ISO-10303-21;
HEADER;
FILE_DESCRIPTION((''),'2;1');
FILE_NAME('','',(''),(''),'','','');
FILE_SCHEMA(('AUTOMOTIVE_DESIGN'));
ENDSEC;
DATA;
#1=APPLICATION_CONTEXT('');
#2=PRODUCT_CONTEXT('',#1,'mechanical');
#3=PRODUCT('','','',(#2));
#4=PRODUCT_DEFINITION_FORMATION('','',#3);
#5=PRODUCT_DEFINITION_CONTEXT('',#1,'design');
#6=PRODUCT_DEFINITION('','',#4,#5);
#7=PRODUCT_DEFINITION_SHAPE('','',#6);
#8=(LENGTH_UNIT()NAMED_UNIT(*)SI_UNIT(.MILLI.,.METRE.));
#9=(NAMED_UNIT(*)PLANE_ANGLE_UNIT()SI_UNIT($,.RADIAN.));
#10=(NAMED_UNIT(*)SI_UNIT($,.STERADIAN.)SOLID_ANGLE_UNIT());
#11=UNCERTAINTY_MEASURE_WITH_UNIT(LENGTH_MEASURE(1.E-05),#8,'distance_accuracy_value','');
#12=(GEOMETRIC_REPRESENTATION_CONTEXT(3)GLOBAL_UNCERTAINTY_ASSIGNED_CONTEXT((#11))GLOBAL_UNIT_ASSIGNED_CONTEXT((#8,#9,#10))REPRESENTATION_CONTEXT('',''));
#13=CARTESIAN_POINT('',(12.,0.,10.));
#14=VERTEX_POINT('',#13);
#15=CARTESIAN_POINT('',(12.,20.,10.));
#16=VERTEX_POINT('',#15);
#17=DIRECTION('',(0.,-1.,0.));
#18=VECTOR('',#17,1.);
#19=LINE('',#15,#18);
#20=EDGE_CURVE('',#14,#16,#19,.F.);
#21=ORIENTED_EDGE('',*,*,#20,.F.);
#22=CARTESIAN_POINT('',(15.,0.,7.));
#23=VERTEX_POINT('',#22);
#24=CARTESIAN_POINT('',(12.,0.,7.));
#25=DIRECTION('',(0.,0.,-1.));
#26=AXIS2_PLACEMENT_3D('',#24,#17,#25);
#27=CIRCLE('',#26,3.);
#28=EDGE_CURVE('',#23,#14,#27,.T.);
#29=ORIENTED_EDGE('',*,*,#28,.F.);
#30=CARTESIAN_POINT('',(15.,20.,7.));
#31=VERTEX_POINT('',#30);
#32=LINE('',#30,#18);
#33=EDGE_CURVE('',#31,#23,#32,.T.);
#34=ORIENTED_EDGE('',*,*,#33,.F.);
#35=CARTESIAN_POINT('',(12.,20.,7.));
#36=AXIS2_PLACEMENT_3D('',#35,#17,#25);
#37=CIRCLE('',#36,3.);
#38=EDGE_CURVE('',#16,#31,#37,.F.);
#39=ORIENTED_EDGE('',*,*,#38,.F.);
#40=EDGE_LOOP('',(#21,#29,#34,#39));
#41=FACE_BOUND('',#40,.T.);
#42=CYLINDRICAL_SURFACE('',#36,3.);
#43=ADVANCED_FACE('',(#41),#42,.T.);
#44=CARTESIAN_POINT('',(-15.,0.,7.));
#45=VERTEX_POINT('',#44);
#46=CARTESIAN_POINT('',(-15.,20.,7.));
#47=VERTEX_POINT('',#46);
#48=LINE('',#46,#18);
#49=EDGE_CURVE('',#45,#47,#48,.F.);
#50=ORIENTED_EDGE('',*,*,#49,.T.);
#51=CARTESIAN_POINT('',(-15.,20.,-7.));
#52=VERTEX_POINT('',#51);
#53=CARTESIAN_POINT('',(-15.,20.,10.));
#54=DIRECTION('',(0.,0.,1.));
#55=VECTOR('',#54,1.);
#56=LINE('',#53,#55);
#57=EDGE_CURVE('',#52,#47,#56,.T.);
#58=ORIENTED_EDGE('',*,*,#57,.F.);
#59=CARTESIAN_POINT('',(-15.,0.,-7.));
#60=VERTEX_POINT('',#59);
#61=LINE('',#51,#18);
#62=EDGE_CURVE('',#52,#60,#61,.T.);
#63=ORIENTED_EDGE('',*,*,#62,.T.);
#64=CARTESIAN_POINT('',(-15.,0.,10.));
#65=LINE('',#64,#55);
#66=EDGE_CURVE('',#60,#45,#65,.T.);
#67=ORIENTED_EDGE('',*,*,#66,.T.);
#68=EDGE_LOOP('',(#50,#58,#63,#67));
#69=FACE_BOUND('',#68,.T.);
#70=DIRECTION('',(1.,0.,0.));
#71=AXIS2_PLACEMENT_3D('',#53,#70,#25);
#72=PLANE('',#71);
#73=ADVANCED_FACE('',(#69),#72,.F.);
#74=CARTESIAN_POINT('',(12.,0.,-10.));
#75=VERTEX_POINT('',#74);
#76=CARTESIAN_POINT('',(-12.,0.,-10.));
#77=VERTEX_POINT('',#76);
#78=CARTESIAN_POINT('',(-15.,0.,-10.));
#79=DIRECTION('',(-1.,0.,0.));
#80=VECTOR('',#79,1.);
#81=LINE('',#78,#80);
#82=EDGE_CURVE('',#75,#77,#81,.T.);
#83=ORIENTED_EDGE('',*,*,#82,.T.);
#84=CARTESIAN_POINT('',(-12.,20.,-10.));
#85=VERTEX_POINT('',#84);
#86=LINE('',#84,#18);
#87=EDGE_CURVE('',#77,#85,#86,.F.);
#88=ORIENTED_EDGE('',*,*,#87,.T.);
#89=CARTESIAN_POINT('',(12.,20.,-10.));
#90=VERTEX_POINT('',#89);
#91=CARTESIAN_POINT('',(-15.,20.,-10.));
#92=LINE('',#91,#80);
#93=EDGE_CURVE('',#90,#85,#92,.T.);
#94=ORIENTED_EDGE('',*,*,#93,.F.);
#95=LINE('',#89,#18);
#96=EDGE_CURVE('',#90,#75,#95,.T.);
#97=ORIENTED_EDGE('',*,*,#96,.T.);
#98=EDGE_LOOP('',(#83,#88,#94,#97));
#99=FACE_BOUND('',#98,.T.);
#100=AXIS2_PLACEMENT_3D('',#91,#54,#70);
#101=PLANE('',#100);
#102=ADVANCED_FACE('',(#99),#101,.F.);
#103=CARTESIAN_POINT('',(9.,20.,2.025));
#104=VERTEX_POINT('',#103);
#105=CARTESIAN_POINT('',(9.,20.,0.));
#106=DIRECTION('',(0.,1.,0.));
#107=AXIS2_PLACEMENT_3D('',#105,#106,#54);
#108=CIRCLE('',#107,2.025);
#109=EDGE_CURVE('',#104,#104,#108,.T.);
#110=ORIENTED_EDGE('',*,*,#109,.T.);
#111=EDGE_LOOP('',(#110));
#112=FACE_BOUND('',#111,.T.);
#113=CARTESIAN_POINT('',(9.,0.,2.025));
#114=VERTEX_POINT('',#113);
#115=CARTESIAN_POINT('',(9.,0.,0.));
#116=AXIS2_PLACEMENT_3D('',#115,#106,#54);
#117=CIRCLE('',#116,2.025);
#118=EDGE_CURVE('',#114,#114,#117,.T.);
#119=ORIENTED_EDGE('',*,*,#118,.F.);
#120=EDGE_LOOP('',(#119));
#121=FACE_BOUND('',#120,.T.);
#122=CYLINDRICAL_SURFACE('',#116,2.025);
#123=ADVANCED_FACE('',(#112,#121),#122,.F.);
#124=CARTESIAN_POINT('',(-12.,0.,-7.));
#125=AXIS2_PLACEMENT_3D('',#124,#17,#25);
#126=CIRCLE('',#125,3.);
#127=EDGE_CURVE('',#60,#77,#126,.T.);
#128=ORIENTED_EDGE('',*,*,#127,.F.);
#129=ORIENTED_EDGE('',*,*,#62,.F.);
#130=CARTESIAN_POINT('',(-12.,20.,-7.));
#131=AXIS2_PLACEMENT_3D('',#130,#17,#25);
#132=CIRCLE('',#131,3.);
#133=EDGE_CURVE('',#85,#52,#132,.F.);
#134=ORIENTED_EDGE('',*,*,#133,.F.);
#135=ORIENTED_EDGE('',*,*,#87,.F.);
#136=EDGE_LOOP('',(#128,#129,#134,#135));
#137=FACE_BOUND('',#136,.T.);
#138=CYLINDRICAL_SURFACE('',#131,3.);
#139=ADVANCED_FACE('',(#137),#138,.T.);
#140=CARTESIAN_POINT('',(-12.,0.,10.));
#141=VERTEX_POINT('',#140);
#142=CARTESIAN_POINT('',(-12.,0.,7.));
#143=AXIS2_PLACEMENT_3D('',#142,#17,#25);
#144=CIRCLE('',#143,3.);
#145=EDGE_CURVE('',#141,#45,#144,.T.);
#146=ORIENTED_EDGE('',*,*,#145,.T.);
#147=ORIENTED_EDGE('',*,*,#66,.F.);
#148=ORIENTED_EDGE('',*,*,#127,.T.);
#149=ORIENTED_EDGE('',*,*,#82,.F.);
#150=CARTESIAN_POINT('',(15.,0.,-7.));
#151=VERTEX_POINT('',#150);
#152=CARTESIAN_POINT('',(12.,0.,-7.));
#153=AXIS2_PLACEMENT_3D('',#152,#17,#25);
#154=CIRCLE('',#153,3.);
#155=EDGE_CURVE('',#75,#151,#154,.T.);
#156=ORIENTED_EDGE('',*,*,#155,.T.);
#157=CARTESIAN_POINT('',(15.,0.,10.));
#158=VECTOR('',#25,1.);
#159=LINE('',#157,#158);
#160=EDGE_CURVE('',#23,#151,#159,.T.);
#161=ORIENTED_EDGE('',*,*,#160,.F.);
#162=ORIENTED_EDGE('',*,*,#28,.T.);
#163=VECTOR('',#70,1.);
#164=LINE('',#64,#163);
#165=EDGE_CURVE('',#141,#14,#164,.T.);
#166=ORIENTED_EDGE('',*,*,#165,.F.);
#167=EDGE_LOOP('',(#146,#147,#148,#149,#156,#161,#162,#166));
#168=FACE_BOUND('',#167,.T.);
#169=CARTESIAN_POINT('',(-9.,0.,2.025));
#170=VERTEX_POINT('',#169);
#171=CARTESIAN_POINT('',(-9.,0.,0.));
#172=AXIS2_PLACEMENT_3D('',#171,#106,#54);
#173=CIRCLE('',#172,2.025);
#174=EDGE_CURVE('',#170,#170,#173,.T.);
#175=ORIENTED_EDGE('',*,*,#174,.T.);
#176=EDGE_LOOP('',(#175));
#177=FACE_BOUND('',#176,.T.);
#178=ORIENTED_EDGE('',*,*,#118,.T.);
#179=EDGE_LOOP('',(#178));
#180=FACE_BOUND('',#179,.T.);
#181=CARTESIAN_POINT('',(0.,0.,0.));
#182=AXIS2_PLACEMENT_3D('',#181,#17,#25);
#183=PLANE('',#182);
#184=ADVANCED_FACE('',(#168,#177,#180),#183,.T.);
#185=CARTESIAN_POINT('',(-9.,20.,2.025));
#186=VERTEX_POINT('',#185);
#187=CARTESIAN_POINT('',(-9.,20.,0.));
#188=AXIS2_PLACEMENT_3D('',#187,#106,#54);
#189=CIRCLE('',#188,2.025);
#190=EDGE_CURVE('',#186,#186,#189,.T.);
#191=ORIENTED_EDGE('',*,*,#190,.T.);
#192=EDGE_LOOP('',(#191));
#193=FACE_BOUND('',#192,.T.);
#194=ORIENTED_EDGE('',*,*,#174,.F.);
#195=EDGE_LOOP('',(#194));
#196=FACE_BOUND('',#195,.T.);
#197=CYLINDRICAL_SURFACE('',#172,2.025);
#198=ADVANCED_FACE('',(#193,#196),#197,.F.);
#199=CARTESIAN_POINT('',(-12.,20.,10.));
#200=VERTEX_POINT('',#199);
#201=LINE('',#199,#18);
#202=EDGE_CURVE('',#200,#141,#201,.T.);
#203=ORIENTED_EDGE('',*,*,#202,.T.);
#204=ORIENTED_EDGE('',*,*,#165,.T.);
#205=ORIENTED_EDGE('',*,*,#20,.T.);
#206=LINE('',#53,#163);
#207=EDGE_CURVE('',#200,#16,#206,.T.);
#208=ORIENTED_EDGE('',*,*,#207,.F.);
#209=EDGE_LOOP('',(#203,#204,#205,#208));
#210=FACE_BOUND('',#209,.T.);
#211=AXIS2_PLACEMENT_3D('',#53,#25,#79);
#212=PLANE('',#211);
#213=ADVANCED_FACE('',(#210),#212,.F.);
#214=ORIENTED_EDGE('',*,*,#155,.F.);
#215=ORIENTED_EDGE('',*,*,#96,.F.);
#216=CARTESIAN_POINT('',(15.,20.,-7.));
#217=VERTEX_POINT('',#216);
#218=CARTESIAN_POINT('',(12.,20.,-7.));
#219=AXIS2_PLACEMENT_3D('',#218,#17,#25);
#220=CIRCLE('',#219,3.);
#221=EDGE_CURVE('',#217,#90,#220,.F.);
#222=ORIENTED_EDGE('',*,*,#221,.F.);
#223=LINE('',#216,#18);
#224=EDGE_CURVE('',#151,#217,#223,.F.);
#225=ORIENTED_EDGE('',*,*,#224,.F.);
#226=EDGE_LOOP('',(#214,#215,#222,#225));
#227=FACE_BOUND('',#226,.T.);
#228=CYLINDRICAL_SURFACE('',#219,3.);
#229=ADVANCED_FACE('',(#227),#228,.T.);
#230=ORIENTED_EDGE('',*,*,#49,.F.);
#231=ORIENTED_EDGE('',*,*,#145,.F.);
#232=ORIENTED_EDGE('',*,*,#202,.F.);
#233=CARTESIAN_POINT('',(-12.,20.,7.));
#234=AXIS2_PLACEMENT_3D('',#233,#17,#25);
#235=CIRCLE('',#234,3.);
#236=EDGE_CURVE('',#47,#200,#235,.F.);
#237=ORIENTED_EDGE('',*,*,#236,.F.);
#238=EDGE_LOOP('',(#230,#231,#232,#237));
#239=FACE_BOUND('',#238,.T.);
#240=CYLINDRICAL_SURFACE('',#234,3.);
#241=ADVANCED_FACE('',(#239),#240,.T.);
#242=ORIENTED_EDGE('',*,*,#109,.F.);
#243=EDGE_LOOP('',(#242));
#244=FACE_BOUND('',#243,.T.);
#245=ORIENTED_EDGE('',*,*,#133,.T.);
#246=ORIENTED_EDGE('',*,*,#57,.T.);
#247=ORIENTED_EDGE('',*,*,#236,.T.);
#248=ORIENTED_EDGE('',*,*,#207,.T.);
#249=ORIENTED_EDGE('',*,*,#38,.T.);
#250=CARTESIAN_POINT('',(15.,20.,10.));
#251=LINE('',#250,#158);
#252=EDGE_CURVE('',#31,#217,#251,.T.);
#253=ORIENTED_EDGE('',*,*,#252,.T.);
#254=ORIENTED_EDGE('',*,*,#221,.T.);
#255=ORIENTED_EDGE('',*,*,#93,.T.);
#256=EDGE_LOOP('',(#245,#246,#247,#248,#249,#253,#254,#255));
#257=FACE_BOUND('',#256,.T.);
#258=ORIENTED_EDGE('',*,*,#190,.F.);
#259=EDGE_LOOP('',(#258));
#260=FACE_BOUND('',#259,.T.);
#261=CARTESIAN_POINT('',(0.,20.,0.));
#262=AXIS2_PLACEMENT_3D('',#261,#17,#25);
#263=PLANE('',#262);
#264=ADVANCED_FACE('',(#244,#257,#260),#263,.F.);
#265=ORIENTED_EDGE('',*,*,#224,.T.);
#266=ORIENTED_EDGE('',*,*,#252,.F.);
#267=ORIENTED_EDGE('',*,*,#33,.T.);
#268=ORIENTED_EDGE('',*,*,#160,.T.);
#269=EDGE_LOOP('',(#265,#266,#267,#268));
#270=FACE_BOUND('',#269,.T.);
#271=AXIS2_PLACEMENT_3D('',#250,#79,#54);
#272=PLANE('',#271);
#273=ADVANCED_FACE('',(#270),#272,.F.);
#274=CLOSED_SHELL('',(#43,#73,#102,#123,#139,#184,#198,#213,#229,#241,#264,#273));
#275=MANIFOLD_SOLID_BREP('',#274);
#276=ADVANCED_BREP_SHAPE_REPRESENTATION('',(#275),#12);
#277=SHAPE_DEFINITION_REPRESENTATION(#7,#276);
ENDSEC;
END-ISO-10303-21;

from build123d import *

# Parameters (mm, degrees)
SKETCH_1_W          = 30
SKETCH_1_H          = 20
EXTRUDE_1_DEPTH     = 20
SKETCH_2_R          = 2.025
CUT_EXTRUDE_1_DEPTH = 20
FILLET_1_R          = 3


with BuildPart() as part:
    # 草图1 → 凸台-拉伸1 (new body)
    with BuildSketch(Plane(origin=(0, 0, 0), x_dir=(1, 0, 0), z_dir=(0, 1, 0))):
        Rectangle(SKETCH_1_W, SKETCH_1_H)
    extrude(amount=EXTRUDE_1_DEPTH)

    # 草图2 → 切除-拉伸1 (cut)
    with BuildSketch(Plane(origin=(0, 20, 0), x_dir=(1, 0, 0), z_dir=(0, 1, 0))):
        with Locations((-9, 0)):
            Circle(SKETCH_2_R)
        with Locations((9, 0)):
            Circle(SKETCH_2_R)
    extrude(amount=-CUT_EXTRUDE_1_DEPTH, mode=Mode.SUBTRACT)

    # 圆角1
    fillet_1_edges = [part.edges().sort_by_distance(p)[0] for p in [
        (15, 10, 10),
        (-15, 10, 10),
        (-15, 10, -10),
        (15, 10, -10),
    ]]
    fillet(fillet_1_edges, radius=FILLET_1_R)


solid = part.part
